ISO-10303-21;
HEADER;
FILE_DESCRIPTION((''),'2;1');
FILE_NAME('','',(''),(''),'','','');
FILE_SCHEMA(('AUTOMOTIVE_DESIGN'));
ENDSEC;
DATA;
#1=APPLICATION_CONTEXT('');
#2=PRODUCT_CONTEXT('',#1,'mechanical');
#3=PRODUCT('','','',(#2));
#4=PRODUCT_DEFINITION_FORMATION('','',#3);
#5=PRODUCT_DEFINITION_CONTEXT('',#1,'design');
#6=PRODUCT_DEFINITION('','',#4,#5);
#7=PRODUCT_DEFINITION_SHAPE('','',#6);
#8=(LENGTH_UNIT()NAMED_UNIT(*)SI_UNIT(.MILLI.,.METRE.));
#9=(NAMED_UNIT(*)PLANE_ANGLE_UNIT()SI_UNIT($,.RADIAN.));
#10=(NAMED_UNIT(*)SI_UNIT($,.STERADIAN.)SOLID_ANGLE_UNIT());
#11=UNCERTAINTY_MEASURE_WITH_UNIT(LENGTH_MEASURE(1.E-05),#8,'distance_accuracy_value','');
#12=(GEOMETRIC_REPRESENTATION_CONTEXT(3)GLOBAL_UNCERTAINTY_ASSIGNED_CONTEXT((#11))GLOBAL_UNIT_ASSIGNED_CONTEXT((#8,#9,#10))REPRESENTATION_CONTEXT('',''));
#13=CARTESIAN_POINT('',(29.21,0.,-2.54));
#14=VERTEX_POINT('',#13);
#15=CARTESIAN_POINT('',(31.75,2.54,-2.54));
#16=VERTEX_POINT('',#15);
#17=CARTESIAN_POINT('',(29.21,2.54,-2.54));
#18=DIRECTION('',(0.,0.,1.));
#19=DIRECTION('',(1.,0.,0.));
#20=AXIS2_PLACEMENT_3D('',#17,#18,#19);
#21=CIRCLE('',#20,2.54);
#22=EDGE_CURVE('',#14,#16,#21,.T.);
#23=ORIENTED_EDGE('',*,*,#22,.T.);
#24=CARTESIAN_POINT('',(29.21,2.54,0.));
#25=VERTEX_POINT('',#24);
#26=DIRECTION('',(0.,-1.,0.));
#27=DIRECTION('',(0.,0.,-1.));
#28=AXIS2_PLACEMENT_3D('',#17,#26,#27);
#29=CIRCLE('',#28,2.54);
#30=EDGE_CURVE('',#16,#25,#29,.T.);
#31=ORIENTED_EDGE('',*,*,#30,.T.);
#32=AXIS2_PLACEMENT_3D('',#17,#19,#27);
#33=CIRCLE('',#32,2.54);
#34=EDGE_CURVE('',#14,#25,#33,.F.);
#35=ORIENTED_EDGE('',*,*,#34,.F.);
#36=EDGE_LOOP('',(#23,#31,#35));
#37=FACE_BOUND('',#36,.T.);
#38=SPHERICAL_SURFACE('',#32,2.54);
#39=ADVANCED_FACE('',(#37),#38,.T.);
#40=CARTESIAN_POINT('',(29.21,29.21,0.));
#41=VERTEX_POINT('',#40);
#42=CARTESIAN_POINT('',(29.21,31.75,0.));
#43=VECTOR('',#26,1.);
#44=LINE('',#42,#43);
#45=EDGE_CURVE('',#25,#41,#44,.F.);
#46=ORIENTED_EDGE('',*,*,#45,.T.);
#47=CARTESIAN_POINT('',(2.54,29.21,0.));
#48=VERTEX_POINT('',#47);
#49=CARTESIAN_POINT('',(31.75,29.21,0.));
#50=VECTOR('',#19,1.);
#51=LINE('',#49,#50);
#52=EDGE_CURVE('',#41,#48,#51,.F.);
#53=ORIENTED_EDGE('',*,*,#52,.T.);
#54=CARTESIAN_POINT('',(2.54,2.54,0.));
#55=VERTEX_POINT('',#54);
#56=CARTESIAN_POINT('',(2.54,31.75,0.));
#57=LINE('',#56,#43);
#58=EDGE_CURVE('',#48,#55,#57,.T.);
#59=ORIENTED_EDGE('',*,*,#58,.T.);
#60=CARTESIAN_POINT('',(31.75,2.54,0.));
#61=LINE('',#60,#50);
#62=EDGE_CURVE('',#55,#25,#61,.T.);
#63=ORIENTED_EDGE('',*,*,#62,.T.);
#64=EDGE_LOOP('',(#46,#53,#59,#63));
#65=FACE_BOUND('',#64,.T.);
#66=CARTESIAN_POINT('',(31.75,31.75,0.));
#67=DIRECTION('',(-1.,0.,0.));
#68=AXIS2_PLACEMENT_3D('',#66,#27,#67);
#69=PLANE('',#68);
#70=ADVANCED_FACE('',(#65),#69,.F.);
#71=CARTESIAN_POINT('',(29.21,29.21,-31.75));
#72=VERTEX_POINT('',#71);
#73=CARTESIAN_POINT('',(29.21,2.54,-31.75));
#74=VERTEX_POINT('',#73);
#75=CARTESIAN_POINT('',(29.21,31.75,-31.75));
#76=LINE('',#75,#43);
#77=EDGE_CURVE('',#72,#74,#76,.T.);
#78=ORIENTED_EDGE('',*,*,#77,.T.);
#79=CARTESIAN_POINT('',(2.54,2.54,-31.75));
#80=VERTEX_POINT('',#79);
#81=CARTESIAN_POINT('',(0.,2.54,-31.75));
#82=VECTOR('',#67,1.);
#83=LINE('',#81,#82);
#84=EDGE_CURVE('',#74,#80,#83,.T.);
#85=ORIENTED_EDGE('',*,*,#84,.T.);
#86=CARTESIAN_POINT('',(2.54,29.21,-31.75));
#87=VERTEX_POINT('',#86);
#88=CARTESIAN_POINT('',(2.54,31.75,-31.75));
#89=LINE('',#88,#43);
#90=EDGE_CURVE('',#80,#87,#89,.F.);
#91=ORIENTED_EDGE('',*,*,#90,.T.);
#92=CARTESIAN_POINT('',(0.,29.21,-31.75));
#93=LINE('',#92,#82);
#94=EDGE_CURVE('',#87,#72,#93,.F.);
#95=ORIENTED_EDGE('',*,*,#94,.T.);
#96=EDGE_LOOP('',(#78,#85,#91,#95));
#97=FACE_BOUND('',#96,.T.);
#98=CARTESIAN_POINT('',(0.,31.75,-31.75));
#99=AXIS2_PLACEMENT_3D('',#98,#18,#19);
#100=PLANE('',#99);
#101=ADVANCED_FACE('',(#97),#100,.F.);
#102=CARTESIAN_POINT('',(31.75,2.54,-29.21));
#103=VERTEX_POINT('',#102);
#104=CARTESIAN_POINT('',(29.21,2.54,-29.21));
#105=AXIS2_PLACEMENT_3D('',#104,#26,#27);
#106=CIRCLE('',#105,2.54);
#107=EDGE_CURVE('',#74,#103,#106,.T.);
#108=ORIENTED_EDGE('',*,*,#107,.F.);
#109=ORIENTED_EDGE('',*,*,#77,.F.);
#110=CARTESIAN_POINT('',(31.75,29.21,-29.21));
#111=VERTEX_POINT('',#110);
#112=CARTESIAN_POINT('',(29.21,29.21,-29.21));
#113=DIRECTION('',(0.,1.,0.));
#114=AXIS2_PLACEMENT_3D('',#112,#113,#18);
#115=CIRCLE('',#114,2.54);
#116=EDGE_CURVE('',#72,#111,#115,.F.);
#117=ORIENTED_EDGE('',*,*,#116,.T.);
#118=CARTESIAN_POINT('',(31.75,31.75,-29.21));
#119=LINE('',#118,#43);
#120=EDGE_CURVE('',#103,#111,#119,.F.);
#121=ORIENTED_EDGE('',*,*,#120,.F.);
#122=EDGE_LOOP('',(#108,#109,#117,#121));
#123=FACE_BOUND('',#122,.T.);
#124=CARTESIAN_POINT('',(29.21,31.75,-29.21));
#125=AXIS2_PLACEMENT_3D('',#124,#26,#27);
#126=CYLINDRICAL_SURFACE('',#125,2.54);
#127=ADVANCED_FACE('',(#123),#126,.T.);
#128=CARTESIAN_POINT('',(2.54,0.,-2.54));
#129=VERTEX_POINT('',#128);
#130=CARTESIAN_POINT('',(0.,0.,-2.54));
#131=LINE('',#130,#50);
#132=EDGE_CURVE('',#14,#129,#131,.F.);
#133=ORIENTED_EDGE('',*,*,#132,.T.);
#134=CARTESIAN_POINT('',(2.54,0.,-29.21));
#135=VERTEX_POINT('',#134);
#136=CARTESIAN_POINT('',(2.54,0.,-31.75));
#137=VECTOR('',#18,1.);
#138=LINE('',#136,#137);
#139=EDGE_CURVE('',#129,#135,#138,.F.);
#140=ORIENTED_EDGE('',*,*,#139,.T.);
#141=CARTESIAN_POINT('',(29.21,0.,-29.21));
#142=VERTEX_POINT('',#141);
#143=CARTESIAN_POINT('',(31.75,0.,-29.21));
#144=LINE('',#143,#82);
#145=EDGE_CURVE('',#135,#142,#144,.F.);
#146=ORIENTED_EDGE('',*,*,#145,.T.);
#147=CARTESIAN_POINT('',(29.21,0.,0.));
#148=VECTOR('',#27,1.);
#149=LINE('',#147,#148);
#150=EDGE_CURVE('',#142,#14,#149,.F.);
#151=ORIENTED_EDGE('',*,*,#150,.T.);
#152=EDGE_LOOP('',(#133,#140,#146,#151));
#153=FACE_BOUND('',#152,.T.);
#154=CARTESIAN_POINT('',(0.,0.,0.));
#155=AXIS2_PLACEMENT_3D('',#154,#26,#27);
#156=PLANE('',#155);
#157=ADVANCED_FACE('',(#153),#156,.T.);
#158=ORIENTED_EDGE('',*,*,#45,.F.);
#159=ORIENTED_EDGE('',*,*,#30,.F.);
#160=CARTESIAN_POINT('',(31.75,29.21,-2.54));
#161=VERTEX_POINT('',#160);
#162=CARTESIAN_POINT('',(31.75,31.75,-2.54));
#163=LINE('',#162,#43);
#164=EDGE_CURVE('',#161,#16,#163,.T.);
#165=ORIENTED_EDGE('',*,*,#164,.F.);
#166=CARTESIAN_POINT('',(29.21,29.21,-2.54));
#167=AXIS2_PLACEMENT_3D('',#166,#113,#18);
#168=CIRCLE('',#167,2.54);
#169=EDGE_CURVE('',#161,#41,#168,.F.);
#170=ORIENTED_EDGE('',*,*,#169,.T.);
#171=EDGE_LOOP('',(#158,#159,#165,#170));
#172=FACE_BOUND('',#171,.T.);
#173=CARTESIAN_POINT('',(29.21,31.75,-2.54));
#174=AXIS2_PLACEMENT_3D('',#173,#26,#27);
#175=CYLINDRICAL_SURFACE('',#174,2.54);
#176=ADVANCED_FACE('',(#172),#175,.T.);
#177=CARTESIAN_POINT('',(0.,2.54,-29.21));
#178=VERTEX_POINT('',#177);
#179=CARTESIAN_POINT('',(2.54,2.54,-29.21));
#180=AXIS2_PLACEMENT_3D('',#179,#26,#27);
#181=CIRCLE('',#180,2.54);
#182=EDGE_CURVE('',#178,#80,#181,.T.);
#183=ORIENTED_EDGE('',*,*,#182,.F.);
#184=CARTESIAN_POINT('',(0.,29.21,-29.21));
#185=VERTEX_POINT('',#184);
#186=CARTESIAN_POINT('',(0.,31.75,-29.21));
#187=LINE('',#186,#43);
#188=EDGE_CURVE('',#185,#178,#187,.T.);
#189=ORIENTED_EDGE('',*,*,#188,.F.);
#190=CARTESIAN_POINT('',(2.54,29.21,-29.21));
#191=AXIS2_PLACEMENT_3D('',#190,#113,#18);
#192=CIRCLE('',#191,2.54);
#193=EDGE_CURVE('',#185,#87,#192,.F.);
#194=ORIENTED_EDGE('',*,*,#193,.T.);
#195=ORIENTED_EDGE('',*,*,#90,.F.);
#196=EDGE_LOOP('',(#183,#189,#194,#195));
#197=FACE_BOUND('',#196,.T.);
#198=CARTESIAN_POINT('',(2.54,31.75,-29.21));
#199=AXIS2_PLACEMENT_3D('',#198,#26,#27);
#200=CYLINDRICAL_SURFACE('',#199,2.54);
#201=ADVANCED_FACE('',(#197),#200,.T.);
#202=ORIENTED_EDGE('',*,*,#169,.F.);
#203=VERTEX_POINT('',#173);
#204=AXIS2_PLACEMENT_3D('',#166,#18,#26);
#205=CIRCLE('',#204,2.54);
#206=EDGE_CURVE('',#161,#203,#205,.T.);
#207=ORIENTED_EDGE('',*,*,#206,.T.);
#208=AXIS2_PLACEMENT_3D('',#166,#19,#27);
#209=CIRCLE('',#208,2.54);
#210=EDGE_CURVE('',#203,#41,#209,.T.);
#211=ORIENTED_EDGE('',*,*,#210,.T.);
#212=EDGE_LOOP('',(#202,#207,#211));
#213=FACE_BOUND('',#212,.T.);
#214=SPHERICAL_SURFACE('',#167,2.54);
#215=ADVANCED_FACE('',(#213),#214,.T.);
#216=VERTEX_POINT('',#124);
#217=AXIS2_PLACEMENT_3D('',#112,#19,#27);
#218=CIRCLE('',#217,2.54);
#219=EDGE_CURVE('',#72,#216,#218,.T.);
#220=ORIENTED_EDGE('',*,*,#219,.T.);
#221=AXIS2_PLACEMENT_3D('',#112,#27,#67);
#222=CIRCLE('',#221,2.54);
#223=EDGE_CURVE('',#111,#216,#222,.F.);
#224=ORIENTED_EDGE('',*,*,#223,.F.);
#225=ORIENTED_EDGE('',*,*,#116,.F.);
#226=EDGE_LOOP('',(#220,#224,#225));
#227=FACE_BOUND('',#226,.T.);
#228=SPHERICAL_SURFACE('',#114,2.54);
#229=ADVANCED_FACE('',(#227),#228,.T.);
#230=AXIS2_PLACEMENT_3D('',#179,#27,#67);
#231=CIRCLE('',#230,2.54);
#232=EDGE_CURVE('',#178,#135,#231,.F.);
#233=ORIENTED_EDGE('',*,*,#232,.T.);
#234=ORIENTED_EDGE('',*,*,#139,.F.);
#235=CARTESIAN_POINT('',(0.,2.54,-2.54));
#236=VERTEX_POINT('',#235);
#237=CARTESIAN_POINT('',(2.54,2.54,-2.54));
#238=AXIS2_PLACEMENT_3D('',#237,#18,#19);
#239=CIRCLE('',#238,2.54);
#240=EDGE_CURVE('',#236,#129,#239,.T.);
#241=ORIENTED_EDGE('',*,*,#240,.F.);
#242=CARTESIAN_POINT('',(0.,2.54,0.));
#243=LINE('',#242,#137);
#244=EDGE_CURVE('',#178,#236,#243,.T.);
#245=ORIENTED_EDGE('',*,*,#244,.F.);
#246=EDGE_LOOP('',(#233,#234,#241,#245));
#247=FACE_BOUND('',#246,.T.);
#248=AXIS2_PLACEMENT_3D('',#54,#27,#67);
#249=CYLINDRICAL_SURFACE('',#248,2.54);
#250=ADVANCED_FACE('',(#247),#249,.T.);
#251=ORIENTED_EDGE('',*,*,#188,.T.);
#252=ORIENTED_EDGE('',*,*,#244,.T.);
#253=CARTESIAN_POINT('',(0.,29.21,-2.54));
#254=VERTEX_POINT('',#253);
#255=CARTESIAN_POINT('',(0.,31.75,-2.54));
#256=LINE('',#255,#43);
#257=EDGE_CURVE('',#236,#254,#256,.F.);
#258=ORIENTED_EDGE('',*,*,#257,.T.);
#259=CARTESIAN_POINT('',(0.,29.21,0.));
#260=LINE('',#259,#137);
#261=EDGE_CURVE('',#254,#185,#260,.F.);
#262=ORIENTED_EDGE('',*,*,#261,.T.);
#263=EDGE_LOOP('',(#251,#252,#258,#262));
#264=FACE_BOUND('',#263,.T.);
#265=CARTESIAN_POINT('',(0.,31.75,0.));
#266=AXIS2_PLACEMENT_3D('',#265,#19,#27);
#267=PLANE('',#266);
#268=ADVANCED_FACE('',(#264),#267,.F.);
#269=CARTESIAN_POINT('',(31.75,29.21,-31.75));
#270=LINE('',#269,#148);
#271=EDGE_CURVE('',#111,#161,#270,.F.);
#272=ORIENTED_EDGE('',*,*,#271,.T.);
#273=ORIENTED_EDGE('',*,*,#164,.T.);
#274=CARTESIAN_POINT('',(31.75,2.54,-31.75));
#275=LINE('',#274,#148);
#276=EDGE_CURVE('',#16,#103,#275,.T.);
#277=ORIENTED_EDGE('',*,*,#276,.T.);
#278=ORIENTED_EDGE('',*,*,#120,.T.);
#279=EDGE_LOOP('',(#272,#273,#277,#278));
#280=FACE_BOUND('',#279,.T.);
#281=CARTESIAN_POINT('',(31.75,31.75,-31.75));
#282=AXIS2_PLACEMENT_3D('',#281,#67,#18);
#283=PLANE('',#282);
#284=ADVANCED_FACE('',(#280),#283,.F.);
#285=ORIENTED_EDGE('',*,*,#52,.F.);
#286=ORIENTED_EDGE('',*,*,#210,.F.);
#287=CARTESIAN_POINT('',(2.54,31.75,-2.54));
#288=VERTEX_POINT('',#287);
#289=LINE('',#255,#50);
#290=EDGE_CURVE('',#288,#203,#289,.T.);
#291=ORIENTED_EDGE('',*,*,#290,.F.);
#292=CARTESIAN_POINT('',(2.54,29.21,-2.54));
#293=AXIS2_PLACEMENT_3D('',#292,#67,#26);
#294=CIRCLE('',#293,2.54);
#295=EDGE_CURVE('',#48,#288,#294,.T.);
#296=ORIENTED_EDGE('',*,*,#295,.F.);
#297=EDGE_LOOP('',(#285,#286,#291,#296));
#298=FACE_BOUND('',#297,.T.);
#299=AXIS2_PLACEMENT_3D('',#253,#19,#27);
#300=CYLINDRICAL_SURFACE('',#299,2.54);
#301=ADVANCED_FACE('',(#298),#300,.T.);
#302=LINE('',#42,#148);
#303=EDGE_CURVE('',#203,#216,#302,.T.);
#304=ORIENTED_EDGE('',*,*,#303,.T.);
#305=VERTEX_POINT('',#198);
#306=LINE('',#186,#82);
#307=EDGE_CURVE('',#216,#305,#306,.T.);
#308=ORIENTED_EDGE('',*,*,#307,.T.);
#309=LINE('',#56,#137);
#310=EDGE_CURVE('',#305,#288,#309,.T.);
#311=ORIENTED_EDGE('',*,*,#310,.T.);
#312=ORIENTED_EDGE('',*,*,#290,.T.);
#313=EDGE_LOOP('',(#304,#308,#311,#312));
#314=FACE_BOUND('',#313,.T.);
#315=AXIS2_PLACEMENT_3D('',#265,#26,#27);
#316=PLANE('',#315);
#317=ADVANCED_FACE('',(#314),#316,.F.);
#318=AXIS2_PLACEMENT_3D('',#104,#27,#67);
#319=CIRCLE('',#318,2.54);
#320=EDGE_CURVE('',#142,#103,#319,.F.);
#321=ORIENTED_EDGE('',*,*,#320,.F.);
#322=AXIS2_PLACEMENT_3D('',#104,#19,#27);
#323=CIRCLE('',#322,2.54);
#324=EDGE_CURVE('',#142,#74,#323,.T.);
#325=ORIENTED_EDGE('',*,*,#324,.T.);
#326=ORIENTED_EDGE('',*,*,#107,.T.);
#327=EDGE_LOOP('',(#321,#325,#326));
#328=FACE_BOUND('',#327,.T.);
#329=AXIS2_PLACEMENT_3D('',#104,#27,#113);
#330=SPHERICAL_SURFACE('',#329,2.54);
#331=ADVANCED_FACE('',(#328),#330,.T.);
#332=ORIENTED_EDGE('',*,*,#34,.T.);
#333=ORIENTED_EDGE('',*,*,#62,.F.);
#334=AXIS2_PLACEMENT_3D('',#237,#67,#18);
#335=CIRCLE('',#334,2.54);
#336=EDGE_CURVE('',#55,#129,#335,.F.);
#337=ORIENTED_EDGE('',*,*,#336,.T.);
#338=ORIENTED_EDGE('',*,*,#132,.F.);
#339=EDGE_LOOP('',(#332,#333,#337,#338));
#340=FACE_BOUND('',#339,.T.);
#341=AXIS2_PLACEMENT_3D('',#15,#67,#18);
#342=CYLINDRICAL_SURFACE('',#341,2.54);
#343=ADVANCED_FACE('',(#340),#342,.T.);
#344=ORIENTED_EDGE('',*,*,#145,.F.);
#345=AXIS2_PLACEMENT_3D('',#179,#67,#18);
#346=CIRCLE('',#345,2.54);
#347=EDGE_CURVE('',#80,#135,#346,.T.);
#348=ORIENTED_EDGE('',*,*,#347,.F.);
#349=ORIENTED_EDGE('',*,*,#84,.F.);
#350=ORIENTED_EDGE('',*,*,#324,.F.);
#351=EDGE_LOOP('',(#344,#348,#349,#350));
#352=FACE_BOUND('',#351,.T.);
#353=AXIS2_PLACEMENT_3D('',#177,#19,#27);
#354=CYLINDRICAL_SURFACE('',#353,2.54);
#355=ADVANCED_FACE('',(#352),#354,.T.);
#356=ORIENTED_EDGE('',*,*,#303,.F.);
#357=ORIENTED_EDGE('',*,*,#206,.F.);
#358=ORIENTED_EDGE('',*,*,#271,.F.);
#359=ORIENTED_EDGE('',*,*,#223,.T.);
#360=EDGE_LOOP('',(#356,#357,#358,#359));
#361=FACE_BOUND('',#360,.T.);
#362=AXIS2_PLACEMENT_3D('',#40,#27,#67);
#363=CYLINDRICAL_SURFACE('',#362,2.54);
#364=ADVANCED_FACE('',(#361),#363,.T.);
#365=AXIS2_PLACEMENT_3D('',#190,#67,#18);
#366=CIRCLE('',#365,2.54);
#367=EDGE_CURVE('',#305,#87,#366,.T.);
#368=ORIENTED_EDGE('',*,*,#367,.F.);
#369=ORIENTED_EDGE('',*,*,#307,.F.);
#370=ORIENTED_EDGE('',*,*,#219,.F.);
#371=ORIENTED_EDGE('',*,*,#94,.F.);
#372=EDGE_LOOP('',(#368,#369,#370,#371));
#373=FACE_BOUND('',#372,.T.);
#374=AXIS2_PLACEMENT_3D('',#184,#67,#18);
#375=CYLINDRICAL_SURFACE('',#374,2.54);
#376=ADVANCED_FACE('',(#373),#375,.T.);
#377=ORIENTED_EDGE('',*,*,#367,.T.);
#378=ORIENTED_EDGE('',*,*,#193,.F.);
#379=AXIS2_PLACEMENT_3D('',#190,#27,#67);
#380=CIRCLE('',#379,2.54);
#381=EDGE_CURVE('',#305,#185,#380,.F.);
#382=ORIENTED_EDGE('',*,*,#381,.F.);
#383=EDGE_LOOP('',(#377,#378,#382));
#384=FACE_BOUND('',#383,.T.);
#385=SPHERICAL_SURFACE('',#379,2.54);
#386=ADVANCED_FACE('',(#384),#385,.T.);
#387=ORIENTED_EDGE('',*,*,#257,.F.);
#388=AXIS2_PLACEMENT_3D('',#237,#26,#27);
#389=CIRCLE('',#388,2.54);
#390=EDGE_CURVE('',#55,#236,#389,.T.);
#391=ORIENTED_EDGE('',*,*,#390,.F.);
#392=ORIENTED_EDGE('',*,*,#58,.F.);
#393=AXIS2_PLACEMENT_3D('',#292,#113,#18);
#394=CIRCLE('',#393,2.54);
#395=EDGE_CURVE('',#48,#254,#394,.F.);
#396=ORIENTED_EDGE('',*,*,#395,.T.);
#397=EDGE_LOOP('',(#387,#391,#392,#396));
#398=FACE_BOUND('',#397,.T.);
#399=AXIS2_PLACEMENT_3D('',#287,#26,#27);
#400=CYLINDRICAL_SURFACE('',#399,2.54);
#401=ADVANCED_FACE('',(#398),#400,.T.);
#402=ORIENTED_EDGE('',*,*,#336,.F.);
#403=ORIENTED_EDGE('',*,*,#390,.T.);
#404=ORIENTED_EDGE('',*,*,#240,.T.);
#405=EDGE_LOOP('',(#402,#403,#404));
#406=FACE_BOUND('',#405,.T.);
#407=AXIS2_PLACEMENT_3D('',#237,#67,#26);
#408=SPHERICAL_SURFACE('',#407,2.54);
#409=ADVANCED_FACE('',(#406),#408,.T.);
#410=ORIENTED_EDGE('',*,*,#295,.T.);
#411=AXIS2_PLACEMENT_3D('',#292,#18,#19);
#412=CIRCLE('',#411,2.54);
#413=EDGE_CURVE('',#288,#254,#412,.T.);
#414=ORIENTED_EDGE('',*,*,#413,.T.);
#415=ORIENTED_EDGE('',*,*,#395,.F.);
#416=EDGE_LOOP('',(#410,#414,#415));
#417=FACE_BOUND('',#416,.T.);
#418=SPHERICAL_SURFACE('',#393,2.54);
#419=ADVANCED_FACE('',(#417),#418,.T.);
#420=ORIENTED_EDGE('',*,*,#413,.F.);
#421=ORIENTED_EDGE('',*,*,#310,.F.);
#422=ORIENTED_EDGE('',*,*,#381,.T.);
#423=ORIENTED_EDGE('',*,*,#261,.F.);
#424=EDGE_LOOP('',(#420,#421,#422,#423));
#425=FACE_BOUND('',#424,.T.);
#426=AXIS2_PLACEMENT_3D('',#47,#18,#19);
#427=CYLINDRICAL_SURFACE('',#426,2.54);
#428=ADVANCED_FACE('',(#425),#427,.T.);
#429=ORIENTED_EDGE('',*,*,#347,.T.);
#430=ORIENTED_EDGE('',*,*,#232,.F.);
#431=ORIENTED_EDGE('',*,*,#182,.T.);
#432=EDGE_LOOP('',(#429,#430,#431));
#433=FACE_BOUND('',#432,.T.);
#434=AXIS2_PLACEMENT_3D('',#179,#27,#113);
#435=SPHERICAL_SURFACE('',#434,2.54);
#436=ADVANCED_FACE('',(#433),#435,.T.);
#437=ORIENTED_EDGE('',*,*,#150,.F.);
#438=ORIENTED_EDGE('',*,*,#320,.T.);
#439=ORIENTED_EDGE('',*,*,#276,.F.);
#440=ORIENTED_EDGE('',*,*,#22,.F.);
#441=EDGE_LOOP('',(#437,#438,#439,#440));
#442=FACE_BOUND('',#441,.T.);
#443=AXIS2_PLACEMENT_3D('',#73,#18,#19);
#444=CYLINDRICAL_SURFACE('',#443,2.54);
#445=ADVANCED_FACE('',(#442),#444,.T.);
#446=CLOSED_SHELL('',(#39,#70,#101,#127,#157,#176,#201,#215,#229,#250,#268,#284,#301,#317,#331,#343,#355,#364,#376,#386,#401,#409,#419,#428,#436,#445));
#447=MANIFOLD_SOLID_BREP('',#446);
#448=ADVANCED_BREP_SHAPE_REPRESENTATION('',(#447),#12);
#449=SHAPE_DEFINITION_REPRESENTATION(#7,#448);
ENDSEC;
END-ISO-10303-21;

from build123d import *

# Parameters (mm, degrees)
SKETCH1_W           = 31.75
SKETCH1_H           = 31.75
BOSS_EXTRUDE1_DEPTH = 31.75
FILLET2_R           = 2.54


with BuildPart() as part:
    # Sketch1 → Boss-Extrude1 (new body)
    with BuildSketch(Plane(origin=(0, 0, 0), x_dir=(1, 0, 0), z_dir=(0, 1, 0))):
        with Locations((15.875, 15.875)):
            Rectangle(SKETCH1_W, SKETCH1_H)
    extrude(amount=BOSS_EXTRUDE1_DEPTH)

    # Fillet2
    fillet2_edges = [part.edges().sort_by_distance(p)[0] for p in [
        (15.875, 31.75, -31.75),
        (0, 31.75, -15.875),
        (15.875, 31.75, 0),
        (0, 0, -15.875),
        (15.875, 0, -31.75),
        (31.75, 0, -15.875),
        (15.875, 0, 0),
        (0, 15.875, 0),
        (0, 15.875, -31.75),
        (31.75, 15.875, -31.75),
        (31.75, 15.875, 0),
        (31.75, 31.75, -15.875),
    ]]
    fillet(fillet2_edges, radius=FILLET2_R)


solid = part.part
